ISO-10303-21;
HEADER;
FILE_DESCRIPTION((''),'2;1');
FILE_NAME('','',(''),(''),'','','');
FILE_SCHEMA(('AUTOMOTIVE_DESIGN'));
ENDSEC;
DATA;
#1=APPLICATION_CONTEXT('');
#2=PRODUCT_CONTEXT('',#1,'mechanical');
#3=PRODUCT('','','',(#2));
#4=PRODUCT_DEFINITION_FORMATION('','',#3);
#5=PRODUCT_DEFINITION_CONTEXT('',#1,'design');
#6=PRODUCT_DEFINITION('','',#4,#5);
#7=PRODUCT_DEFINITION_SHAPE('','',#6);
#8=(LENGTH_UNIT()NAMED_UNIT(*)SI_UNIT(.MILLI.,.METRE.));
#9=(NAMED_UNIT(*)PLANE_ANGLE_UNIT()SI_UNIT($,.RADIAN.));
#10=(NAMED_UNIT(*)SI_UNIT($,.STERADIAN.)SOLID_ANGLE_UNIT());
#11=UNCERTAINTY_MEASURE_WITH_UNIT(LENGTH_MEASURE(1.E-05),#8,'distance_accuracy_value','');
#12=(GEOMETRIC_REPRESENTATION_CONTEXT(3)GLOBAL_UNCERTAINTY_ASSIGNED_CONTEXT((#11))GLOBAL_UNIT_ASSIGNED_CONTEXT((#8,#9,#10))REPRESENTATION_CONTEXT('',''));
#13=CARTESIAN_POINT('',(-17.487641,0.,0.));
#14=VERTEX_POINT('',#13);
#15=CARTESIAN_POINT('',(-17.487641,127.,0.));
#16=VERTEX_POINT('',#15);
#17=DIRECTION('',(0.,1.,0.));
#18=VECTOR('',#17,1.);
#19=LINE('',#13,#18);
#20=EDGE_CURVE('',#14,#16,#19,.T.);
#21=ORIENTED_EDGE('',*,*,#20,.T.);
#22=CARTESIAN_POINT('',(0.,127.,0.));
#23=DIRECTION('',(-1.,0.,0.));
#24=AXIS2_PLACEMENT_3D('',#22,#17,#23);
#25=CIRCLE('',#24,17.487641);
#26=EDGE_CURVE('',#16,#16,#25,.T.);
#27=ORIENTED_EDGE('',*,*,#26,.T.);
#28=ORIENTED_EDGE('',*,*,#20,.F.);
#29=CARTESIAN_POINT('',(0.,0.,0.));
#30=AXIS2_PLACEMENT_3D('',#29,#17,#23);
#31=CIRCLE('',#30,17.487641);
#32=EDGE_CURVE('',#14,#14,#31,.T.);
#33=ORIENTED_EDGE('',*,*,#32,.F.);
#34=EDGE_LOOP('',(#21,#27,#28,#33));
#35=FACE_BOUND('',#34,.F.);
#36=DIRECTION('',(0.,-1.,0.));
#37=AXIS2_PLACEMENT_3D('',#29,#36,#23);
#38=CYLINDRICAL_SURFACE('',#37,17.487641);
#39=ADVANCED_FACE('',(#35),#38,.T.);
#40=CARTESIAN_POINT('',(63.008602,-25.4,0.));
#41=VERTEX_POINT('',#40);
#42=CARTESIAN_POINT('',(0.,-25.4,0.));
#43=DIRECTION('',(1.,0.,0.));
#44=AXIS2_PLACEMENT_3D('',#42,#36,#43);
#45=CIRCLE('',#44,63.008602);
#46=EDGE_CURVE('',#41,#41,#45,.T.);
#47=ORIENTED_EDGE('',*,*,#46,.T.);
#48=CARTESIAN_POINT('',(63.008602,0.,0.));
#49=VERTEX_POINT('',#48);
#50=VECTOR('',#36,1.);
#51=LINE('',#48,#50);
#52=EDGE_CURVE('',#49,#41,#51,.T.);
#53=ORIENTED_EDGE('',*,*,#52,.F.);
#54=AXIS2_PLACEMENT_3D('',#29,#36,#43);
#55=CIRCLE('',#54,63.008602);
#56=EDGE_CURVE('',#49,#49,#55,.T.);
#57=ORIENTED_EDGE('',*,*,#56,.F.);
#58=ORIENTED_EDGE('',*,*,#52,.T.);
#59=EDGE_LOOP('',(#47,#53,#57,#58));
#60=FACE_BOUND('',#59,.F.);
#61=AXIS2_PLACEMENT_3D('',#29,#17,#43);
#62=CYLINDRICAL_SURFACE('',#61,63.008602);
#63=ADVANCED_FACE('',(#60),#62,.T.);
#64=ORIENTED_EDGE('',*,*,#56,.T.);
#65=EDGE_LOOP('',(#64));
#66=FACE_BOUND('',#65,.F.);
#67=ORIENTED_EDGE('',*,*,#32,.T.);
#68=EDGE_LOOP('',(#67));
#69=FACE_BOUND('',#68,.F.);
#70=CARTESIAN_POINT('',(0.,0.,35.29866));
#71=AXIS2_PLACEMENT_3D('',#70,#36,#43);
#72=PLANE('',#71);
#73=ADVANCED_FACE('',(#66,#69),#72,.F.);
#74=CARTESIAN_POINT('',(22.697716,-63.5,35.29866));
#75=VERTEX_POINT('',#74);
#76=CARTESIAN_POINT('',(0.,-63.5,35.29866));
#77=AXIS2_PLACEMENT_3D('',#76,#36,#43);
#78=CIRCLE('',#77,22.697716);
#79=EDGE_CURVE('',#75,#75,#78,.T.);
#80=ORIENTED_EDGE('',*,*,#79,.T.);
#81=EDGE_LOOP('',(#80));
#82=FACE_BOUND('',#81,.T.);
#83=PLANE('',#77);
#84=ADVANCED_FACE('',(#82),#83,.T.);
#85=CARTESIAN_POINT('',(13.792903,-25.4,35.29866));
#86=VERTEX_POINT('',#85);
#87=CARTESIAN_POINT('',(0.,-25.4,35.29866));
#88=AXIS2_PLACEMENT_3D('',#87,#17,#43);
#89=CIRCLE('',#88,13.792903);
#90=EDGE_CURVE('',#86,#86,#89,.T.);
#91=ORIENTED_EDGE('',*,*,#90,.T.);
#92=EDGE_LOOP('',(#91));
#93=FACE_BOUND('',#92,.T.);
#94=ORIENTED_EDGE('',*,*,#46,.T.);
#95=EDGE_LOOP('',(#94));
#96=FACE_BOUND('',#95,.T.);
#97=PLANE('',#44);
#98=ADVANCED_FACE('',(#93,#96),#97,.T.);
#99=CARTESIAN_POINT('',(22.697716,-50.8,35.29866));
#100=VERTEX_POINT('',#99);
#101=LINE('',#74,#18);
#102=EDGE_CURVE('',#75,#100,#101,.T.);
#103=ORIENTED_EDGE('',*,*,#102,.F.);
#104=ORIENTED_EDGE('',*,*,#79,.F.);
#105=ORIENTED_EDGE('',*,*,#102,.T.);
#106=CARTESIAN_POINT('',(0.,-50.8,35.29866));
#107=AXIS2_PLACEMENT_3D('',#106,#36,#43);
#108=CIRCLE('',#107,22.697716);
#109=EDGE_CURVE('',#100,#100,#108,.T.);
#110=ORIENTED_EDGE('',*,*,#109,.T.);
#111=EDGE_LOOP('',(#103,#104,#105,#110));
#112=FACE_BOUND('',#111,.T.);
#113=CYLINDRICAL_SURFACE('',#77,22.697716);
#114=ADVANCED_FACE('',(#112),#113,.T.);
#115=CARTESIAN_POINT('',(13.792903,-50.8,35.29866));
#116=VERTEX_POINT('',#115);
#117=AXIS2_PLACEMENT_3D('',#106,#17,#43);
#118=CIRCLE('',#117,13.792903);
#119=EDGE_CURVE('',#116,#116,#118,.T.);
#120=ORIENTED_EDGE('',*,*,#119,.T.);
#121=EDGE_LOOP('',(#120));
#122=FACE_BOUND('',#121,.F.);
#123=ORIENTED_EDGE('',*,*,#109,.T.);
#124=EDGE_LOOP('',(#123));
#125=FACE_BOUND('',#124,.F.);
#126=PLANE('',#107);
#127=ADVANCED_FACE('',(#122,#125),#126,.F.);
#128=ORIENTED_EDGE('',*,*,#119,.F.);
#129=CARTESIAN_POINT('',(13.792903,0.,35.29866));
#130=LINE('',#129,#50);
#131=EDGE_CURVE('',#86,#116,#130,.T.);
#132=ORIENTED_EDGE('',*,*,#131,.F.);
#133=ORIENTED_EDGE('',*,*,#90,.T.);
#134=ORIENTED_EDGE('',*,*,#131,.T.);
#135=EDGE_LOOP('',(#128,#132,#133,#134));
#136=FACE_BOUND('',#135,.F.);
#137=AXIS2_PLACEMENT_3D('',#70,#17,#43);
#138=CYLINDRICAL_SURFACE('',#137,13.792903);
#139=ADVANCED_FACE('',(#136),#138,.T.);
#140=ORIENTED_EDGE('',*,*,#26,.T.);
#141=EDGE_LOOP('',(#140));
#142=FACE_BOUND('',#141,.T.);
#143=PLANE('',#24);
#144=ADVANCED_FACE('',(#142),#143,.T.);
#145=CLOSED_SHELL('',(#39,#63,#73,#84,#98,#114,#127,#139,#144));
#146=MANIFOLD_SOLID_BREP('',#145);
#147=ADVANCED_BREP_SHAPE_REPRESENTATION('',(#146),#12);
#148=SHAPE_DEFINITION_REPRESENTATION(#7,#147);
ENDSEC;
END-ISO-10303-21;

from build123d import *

# Parameters (mm, degrees)
F0_R     = 63.008602
F1_DEPTH = 25.4
F2_R     = 13.792903
F3_DEPTH = 63.5
F4_R     = 22.697716
F5_DEPTH = 12.7
F6_R     = 17.487641
F7_DEPTH = 127


with BuildPart() as f1:
    # F0 (on Front) → F1 (new body)
    with BuildSketch(Plane.XZ):
        Circle(F0_R)
    extrude(amount=F1_DEPTH)

    # F2 (on Front) → F3 (join)
    with BuildSketch(Plane.XZ):
        with Locations((0, 35.29866)):
            Circle(F2_R)
    extrude(amount=F3_DEPTH)

    # F4 (on face) → F5 (join)
    with BuildSketch(Plane.XZ.offset(63.5)):
        with Locations((0, 35.29866)):
            Circle(F4_R)
    extrude(amount=-F5_DEPTH)

    # F6 (on face) → F7 (join)
    with BuildSketch(Plane(origin=(0, 0, 0), x_dir=(-1, 0, 0), z_dir=(0, 1, 0))):
        Circle(F6_R)
    extrude(amount=F7_DEPTH)


solid = f1.part
